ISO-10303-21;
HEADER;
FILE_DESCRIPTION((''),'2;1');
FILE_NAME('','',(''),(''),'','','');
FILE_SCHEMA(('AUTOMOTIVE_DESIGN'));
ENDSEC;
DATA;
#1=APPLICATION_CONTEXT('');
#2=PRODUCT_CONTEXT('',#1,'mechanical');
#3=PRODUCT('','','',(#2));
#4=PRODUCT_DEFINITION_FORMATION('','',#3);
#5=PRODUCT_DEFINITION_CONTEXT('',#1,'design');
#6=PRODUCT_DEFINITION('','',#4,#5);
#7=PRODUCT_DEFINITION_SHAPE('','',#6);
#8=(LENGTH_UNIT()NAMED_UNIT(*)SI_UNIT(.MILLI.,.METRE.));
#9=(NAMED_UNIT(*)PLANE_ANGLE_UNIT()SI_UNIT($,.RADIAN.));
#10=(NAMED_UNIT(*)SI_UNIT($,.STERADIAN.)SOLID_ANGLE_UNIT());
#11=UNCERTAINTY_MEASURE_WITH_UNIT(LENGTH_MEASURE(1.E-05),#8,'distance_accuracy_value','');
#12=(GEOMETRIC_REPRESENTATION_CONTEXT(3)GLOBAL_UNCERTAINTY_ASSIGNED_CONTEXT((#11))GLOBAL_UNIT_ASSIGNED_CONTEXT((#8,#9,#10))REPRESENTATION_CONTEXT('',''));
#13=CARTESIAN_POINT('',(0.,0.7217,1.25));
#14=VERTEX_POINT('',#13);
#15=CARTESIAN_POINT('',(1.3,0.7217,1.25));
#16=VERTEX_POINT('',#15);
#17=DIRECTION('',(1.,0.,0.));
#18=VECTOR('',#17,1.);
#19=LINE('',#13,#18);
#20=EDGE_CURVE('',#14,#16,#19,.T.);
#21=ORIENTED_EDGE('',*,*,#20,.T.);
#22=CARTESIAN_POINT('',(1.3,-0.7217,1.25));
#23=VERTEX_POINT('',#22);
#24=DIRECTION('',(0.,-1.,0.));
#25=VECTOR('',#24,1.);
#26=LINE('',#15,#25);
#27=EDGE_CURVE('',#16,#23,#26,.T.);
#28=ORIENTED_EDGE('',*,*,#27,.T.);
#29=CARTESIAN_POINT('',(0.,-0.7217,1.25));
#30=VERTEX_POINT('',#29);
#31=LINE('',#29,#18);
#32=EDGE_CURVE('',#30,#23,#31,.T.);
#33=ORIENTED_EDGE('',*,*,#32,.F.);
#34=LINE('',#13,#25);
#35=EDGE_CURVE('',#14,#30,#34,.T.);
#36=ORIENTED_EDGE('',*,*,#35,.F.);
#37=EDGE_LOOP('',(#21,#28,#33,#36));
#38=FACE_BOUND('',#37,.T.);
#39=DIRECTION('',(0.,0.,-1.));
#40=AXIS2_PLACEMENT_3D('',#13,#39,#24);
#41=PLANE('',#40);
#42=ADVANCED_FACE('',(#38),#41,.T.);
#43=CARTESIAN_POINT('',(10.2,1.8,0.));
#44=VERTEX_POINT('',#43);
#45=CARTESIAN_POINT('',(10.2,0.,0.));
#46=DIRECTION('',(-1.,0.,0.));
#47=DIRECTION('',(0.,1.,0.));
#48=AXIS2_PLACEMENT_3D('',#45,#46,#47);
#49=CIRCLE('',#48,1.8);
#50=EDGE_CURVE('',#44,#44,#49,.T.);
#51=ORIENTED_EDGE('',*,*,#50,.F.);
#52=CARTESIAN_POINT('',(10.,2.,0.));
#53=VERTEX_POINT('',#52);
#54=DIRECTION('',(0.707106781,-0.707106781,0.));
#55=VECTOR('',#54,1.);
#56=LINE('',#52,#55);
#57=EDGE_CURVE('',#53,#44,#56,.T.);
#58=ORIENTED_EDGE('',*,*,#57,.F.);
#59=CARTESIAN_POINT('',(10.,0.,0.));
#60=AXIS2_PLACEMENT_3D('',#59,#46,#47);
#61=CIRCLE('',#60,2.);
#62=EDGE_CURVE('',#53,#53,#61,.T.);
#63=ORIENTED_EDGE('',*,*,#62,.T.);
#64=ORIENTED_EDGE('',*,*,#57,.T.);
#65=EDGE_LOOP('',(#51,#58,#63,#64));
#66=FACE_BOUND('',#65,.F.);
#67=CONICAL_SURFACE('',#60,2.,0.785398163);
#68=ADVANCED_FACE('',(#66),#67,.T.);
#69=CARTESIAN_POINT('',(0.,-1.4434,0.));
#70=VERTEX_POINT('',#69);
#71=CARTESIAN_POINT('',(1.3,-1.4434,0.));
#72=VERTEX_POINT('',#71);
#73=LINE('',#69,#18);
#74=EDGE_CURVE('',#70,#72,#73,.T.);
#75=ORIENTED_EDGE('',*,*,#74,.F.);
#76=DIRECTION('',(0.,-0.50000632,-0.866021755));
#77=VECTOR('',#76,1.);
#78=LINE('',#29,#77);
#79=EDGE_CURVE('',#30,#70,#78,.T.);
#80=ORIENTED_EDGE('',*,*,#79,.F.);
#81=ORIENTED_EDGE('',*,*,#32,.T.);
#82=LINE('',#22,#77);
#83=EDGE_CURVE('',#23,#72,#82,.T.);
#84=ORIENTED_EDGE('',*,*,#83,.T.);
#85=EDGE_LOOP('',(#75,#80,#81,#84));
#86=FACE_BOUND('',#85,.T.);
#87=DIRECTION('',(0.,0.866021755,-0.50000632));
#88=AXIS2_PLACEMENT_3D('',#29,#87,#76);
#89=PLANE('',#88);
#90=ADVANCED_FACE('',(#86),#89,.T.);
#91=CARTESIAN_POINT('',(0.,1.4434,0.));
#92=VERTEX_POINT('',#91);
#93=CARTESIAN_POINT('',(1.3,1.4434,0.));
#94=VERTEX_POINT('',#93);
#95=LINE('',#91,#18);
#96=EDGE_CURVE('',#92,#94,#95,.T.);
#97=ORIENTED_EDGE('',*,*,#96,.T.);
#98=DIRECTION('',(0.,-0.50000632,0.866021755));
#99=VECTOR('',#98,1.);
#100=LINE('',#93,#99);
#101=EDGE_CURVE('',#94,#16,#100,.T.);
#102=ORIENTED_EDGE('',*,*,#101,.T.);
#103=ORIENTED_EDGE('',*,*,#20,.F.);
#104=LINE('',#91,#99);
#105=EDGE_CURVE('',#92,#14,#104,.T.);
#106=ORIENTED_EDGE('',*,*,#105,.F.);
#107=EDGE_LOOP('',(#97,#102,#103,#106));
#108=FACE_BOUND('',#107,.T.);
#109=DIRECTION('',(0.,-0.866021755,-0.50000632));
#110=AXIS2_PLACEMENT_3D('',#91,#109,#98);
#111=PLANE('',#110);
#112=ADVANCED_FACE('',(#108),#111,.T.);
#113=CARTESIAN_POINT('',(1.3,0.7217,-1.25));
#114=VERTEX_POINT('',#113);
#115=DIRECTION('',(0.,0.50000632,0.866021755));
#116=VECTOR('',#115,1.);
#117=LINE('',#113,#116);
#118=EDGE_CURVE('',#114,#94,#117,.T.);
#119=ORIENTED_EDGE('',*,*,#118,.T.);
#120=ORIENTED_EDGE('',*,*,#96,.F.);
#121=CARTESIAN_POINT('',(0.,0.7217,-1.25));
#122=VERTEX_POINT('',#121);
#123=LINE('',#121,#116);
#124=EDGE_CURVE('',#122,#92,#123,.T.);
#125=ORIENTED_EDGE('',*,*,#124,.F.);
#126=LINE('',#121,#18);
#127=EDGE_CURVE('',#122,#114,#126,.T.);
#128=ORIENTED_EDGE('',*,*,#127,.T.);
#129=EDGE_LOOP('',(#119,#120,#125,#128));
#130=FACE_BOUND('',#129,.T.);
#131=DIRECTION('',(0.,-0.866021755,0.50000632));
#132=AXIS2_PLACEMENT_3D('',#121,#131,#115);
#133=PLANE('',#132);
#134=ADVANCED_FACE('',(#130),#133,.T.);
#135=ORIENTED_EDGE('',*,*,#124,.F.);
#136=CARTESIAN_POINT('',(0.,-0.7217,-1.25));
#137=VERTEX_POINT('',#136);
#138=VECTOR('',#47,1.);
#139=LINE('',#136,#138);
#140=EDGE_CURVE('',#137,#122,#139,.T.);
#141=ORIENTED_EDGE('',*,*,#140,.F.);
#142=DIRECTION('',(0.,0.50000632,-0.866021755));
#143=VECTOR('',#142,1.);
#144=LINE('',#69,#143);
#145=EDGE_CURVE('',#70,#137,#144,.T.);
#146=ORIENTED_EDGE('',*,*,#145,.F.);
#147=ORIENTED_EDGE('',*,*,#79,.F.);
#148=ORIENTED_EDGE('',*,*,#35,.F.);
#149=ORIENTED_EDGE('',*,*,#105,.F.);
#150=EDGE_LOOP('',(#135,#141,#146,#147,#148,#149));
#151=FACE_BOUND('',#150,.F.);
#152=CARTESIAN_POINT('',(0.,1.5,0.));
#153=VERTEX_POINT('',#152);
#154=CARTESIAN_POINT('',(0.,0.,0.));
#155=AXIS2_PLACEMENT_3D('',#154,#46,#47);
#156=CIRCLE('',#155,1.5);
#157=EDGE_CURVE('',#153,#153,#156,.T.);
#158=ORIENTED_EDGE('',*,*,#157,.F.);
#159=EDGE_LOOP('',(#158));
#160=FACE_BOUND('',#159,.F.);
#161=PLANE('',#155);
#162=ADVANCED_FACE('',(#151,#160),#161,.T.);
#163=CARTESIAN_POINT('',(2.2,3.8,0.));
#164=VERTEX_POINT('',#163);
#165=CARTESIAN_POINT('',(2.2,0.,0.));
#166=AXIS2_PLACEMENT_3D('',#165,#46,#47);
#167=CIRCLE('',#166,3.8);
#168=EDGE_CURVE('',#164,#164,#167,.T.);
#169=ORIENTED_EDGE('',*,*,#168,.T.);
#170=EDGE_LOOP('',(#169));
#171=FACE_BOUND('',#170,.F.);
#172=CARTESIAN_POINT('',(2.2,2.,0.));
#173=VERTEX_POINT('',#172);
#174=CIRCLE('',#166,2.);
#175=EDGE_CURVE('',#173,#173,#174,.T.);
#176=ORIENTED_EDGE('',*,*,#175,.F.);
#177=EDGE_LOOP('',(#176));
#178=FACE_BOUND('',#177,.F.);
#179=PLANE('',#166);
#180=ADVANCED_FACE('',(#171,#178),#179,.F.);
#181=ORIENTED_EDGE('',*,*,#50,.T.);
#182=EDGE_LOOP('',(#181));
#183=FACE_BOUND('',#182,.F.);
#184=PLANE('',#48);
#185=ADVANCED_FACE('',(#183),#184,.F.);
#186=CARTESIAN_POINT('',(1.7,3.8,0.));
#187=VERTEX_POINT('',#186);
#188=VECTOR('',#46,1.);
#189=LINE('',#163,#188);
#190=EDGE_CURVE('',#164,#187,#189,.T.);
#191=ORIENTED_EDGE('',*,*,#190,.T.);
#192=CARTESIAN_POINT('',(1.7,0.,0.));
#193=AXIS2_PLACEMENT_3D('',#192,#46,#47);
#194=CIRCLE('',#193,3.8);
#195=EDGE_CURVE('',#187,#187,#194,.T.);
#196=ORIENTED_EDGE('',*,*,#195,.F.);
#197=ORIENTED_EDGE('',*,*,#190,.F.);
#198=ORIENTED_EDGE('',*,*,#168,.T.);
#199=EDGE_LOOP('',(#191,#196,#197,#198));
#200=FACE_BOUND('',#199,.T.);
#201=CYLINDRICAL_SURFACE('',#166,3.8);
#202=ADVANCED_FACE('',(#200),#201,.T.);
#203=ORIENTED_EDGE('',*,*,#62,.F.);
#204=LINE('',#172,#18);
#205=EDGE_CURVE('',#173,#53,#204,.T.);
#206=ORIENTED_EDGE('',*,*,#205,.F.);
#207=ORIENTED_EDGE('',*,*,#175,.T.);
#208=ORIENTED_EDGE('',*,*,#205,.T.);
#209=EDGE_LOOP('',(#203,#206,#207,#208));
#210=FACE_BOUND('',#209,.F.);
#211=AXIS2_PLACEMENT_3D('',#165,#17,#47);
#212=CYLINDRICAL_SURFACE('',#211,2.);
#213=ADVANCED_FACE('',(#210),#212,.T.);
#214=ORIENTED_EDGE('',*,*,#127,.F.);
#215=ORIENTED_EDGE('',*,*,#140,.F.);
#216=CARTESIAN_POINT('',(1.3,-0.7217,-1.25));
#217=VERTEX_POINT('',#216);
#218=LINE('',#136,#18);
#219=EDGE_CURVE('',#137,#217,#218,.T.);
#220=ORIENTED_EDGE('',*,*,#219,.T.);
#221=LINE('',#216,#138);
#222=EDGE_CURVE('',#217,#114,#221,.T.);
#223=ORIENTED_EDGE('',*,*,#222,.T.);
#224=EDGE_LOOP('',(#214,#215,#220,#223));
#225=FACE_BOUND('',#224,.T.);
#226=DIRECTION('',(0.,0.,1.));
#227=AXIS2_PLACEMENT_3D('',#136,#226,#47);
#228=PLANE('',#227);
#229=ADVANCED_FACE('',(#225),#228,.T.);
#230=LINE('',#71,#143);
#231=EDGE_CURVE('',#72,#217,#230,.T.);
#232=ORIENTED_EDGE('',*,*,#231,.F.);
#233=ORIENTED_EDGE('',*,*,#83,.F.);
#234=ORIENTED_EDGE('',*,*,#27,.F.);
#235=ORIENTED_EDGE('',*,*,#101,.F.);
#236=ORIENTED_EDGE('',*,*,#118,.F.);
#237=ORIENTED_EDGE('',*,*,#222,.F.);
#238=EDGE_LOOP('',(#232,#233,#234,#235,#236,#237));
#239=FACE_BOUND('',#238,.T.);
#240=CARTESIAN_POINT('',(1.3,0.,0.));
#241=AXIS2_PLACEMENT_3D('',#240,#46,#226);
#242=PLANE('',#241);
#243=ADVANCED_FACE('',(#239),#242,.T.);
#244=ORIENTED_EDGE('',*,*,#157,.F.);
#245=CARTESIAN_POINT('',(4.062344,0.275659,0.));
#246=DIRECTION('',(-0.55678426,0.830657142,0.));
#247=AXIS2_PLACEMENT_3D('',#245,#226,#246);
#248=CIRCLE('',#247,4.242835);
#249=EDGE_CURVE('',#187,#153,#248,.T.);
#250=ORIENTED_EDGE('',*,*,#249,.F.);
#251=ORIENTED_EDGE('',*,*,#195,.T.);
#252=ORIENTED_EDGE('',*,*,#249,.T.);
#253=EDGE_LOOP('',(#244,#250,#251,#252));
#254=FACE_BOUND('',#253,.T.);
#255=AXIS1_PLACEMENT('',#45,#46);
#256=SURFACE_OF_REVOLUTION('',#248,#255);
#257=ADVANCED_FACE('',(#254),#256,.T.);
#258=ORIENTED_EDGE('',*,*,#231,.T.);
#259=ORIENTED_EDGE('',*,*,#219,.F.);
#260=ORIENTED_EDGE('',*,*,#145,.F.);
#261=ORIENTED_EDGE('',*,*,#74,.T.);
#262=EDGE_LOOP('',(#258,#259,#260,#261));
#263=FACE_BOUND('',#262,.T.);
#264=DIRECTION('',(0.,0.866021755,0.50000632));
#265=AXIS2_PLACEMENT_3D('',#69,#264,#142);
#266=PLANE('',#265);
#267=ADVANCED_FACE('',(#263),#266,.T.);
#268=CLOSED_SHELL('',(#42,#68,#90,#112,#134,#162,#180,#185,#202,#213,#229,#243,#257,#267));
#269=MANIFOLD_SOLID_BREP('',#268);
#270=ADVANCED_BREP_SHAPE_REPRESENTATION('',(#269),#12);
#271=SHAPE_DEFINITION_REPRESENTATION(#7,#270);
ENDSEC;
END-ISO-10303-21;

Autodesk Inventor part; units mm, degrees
ref_plane "YZ Plane" through (0, 0, 0) normal (1, 0, 0) x (0, 1, 0)
ref_plane "XZ Plane" through (0, 0, 0) normal (0, 1, 0) x (-1, 0, 0)
ref_plane "XY Plane" through (0, 0, 0) normal (0, 0, 1) x (1, 0, 0)
sketch "Sketch1" plane through (0, 0, 0) normal (0, 0, 1) x (1, 0, 0)
  line L0 (0, 0) -> (0, 1.5)
  line L1 (2.2, 3.8) -> (2.2, 2)
  line L2 (2.2, 2) -> (10.2, 2)
  line L3 (10.2, 2) -> (10.2, 0)
  line L4 (10.2, 0) -> (0, 0)
  line L5 (2.2, 3.8) -> (1.7, 3.8)
  arc A0 (1.7, 3.8) -> (0, 1.5) centre (4.0624, 0.2756) ccw
  dimension "d0" = 2.2
  dimension "d1" = 8
  dimension "d2" = 3.8
  dimension "d4" = 0.5
  dimension "d5" = 2
  dimension "d7" = 1.5
revolve "Revolution1" add sketch "Sketch1" angle 360 about axis through (10.2, 0, 0) along (-1, 0, 0)
sketch "Sketch2" plane through (0, 0, 0) normal (-1, 0, 0) x (0, 0, 1)
  line L0 (-1.25, -0.7217) -> (-1.25, 0.7217)
  line L1 (-1.25, 0.7217) -> (0, 1.4434)
  line L2 (0, 1.4434) -> (1.25, 0.7217)
  line L3 (1.25, 0.7217) -> (1.25, -0.7217)
  line L4 (1.25, -0.7217) -> (0, -1.4434)
  line L5 (0, -1.4434) -> (-1.25, -0.7217)
  point P0 (0, 0)
  point P1 (0, 0)
  dimension "d8" = 2.5
extrude "Extrusion1" cut sketch "Sketch2" against normal blind 1.3
chamfer "Chamfer1" distance 0.2 angle 45 1 edges at (10.2, -2, 0)
thread "Thread1" size "M4x0.7" class "6g" standard "ANSI Metric M Profile" full length
properties part number "M4 x 8 mm BHCS"
